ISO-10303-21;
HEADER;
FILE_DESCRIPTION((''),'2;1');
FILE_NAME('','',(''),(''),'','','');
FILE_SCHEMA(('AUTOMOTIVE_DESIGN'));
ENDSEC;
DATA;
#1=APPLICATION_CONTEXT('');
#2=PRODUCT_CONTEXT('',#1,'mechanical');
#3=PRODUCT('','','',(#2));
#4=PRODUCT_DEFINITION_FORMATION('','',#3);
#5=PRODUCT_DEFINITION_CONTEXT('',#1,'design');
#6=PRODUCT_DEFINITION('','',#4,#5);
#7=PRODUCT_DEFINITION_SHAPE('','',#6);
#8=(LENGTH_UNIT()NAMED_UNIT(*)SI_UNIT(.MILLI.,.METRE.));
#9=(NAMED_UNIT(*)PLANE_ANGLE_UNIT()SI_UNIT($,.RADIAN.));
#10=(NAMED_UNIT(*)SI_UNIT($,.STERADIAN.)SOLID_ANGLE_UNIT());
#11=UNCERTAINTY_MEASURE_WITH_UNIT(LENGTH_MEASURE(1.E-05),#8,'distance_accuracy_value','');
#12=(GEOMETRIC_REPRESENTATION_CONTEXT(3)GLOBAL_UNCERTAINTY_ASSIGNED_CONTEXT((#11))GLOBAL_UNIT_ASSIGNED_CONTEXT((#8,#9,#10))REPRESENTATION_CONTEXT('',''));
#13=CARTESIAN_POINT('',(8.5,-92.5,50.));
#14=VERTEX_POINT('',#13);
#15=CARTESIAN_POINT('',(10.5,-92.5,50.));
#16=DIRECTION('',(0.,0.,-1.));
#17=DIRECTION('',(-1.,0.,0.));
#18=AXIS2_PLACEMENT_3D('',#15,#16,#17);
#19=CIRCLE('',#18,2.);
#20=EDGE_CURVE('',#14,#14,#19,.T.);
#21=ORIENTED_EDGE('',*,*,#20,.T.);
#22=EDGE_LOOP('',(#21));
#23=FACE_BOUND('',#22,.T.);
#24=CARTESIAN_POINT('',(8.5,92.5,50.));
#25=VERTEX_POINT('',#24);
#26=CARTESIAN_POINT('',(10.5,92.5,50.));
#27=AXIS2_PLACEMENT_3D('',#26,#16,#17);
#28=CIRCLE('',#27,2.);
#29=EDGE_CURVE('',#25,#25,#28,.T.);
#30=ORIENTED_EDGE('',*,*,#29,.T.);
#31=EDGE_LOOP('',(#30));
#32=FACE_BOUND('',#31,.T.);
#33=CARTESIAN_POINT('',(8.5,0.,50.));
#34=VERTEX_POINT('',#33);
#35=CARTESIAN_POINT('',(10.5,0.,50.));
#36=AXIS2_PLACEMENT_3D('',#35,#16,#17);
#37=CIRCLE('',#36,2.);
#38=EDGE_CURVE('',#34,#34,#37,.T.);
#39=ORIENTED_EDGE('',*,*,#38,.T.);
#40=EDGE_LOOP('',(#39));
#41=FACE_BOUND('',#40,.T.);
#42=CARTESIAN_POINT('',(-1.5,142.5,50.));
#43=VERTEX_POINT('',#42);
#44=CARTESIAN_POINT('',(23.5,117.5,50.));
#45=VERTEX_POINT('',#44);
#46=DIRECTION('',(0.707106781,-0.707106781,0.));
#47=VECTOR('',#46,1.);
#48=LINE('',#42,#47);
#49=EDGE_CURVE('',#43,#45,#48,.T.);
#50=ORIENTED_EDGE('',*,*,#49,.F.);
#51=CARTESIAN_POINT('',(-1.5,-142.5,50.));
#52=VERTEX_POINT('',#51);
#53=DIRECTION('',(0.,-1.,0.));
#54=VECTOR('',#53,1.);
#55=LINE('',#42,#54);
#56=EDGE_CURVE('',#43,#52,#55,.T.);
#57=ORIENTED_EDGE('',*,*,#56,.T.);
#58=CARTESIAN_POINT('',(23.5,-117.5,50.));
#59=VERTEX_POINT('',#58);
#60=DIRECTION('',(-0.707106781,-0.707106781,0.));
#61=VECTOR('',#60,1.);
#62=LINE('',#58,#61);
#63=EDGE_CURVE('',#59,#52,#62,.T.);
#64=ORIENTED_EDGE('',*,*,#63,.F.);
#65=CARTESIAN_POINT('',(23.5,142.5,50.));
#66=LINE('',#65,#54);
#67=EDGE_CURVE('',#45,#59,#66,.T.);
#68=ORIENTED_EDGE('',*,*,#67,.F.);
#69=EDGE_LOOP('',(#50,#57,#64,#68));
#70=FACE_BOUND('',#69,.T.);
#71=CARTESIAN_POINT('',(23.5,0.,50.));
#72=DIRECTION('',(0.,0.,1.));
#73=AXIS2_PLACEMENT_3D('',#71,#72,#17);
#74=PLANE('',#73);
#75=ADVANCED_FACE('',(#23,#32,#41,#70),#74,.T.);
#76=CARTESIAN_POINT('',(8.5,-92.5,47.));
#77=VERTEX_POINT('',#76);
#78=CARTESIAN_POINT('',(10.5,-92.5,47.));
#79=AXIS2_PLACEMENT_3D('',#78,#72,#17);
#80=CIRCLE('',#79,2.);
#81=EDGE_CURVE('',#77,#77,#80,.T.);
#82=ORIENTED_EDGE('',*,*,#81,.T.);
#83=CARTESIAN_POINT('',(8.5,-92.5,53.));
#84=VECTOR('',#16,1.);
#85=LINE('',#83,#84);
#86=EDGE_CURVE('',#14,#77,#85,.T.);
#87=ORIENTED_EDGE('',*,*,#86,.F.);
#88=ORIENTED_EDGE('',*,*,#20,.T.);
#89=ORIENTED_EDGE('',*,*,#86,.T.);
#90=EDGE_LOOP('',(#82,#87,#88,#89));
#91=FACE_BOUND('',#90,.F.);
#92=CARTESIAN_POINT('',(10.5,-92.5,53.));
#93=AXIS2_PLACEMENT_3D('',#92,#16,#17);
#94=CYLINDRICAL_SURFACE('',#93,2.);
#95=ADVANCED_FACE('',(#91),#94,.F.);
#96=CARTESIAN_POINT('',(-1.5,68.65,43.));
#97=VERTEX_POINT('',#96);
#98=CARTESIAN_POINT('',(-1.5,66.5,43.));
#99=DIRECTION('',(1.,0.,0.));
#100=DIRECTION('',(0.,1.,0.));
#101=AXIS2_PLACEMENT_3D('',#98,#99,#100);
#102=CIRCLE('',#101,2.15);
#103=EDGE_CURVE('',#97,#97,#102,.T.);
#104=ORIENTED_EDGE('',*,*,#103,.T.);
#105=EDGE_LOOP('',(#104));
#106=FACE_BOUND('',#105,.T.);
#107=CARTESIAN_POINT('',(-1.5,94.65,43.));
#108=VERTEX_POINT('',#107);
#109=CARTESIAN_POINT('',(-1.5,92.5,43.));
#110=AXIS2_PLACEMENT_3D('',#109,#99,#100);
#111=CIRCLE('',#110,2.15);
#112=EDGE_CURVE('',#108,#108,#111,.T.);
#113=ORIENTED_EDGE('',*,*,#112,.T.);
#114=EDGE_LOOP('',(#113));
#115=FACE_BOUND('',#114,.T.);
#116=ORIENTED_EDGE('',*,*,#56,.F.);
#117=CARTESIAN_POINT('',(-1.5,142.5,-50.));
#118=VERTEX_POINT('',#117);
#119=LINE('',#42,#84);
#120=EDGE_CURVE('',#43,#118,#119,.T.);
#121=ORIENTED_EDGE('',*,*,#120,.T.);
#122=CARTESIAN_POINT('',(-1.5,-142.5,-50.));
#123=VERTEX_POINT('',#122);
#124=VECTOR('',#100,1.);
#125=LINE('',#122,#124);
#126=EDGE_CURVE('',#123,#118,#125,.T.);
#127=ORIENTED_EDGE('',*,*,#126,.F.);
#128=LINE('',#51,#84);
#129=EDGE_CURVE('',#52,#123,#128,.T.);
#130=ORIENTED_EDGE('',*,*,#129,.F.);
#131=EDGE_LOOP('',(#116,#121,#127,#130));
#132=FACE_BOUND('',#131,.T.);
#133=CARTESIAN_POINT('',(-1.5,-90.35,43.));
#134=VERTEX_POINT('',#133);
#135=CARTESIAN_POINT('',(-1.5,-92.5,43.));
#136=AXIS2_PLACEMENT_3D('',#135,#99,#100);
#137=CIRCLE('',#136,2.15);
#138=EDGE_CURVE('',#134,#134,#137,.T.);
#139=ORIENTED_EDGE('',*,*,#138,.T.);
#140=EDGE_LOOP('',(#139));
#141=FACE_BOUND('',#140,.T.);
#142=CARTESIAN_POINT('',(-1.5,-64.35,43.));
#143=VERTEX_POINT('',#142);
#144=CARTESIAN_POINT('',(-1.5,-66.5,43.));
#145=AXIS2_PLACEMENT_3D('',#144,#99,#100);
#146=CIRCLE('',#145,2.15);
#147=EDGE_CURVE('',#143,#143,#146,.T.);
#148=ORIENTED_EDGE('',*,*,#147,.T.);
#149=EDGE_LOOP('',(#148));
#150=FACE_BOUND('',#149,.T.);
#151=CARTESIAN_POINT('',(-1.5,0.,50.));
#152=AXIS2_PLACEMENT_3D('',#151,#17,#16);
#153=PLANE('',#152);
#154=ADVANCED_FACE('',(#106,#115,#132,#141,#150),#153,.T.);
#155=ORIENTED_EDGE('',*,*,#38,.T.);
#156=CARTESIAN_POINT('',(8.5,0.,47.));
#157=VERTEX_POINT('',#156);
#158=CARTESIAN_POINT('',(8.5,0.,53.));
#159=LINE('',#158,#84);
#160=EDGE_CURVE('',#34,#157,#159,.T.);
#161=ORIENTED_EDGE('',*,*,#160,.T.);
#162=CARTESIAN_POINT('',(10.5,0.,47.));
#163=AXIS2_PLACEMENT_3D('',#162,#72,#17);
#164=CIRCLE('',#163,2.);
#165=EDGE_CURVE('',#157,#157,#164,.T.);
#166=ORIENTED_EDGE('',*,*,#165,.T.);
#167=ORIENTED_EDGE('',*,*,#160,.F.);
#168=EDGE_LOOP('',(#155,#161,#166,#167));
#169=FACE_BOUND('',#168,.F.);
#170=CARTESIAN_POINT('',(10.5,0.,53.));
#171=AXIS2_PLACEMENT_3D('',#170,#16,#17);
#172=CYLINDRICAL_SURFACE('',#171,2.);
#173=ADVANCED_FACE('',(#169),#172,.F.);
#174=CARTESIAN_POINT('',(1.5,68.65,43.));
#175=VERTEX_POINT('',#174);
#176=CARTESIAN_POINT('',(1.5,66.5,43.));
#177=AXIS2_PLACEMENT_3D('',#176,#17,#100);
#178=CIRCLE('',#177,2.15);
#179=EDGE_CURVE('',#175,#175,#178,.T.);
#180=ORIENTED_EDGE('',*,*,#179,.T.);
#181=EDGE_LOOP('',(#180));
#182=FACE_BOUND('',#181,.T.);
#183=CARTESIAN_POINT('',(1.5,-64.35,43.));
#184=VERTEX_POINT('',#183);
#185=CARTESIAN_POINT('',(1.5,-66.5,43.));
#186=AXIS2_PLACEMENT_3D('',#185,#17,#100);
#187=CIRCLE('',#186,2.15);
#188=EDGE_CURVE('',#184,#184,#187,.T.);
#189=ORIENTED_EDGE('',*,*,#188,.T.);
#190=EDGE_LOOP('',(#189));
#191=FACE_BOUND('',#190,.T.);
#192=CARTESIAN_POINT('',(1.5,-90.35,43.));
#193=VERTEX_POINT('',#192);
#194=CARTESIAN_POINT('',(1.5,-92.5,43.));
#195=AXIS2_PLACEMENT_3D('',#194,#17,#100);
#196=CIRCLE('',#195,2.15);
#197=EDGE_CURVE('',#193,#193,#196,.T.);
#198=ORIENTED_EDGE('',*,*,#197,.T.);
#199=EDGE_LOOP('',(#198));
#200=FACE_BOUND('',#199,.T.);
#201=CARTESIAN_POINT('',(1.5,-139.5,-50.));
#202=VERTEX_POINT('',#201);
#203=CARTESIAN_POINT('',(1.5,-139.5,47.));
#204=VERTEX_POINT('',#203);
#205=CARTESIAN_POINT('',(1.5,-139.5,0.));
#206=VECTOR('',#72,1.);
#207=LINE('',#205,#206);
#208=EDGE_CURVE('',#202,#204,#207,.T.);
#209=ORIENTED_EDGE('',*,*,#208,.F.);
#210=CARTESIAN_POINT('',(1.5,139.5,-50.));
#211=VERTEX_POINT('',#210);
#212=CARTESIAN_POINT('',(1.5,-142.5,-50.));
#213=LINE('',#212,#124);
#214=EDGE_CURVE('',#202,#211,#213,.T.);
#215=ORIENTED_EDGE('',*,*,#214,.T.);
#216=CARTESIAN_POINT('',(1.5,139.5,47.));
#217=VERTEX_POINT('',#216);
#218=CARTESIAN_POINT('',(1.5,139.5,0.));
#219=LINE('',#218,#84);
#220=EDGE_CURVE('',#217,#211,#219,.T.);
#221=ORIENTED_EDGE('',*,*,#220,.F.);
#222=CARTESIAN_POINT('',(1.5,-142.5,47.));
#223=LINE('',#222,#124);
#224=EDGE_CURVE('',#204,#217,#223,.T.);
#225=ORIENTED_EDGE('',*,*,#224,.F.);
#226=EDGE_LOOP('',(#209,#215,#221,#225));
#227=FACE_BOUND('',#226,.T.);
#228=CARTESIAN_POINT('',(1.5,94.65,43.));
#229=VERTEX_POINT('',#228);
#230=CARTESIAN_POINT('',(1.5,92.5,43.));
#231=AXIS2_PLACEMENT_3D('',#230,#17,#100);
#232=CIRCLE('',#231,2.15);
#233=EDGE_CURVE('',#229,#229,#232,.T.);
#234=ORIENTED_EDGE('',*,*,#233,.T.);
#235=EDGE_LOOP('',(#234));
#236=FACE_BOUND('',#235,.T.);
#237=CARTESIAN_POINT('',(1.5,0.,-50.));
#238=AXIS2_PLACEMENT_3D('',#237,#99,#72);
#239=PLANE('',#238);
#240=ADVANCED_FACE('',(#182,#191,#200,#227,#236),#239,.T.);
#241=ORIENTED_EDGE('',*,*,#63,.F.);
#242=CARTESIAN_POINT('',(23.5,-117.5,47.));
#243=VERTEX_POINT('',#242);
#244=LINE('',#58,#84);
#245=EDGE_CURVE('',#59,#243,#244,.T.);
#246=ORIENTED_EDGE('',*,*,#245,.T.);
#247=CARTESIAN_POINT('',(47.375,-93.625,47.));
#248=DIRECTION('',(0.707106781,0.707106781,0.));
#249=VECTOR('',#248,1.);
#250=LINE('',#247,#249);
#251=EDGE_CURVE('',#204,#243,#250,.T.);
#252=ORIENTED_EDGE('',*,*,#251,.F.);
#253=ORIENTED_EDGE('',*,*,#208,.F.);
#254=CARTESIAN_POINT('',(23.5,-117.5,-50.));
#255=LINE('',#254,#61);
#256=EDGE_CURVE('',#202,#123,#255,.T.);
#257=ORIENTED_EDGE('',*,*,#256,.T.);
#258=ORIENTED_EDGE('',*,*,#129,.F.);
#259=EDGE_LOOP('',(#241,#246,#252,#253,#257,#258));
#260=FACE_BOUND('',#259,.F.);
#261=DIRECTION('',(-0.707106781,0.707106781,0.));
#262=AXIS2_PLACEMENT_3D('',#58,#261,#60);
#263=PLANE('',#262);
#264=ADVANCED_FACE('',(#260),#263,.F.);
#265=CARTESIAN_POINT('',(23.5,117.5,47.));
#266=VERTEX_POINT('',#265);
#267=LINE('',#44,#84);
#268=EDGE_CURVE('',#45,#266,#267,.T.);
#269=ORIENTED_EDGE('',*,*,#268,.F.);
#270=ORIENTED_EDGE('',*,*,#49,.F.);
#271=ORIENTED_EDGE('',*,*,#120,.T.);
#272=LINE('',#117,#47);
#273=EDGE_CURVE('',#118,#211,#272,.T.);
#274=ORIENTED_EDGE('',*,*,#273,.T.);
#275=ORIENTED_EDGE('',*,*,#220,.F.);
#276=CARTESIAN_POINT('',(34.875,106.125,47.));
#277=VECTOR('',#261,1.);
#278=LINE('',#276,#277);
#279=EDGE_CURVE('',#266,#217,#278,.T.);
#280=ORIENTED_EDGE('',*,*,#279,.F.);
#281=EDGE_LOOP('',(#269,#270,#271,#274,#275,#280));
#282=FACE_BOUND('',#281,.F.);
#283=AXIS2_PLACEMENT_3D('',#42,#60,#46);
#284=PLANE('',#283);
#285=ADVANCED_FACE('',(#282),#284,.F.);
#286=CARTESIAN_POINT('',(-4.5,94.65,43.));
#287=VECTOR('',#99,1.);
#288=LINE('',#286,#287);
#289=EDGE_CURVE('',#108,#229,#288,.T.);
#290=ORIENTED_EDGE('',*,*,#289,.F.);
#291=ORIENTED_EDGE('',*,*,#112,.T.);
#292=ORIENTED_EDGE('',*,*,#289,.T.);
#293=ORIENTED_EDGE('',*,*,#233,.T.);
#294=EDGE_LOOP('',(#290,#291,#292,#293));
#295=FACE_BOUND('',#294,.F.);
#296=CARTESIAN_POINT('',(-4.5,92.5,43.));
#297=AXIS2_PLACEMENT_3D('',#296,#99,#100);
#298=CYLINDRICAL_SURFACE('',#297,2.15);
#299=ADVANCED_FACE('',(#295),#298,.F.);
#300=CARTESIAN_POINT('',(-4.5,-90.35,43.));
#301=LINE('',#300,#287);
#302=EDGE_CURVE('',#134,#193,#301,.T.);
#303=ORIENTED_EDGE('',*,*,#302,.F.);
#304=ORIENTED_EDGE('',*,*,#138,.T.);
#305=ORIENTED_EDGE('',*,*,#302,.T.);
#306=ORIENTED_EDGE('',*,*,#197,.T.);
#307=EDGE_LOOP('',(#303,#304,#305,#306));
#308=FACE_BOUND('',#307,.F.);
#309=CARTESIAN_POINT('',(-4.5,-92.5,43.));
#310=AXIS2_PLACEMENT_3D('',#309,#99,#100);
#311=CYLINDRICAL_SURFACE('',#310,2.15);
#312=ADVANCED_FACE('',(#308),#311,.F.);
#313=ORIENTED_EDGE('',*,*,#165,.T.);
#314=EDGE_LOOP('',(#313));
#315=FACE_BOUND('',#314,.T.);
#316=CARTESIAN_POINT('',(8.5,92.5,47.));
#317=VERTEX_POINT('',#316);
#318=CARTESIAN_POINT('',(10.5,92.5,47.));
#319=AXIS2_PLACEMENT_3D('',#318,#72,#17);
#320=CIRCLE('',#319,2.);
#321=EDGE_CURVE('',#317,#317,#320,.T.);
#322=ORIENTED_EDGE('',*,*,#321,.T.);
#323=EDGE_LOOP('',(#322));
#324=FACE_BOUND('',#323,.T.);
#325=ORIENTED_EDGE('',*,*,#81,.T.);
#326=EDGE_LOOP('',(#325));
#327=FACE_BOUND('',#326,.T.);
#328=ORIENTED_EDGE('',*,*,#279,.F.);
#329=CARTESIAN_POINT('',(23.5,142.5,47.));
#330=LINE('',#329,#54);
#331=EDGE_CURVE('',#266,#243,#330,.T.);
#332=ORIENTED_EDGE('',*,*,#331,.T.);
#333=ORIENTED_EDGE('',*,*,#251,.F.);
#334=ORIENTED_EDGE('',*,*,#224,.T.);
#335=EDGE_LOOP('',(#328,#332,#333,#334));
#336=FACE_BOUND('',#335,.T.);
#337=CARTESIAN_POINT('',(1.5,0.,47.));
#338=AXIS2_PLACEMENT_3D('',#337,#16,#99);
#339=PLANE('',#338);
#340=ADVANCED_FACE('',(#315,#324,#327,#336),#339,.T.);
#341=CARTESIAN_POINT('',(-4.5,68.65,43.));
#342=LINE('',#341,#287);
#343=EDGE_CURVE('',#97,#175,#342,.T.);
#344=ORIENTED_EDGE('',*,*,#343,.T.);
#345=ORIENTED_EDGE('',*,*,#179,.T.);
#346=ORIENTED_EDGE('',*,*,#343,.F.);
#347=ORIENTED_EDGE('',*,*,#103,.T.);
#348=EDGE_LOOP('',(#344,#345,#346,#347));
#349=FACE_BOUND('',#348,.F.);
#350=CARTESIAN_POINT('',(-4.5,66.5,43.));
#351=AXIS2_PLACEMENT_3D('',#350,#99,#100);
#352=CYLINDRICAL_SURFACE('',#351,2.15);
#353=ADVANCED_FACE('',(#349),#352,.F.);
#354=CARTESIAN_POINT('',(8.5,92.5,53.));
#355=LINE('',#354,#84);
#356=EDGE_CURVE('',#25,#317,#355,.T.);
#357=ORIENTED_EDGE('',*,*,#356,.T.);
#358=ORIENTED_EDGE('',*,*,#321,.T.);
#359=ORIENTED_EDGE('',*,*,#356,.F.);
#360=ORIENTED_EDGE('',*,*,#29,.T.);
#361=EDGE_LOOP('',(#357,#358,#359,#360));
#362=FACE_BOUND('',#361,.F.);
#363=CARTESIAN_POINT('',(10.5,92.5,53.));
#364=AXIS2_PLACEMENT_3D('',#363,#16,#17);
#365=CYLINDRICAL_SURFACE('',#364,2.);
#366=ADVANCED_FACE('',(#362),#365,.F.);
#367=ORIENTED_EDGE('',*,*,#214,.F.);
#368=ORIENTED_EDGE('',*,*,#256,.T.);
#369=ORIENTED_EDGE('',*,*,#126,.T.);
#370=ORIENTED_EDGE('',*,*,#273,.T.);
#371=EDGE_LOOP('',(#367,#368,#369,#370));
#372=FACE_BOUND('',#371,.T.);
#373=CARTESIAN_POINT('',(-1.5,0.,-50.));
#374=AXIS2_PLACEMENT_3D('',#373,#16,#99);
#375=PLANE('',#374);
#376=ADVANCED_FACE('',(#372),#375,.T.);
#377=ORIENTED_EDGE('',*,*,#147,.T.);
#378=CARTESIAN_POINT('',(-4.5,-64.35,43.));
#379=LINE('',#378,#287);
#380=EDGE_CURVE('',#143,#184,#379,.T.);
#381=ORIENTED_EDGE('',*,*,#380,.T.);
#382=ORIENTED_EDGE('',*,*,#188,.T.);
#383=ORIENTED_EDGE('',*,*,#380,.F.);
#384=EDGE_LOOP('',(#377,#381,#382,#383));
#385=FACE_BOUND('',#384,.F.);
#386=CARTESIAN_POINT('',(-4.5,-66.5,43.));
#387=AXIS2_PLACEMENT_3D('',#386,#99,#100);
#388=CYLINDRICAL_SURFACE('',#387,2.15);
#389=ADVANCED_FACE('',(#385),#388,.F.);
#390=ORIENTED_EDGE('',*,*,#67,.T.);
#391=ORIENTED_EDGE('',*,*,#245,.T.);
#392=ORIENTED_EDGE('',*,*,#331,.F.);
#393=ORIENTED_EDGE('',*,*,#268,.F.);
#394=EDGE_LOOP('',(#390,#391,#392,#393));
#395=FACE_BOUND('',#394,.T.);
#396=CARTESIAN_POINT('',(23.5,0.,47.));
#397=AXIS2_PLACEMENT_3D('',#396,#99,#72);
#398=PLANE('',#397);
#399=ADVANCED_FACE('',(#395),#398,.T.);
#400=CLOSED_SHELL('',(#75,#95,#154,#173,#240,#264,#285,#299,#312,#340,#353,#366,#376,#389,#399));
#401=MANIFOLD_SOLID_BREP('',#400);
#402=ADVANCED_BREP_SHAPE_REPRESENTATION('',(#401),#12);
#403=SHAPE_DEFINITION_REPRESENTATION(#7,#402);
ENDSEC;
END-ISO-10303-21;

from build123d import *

# Parameters (mm, degrees)
F0_W     = 22
F0_H     = 3
F1_DEPTH = 142.5
F3_D     = 4.3
F3_DEPTH = 3
F3_TIP   = 1.2918503309
F5_D     = 4
F5_DEPTH = 3
F5_TIP   = 1.2017212381
F7_DEPTH = 100


with BuildPart() as f1:
    # F0 (on Front) → F1 (new body, symmetric)
    with BuildSketch(Plane.XZ):
        with Locations((12.5, 48.5)):
            Rectangle(F0_W, F0_H)
        Polygon((1.5, 47), (1.5, 50), (-1.5, 50), (-1.5, -50), (1.5, -50), align=None)
    extrude(amount=F1_DEPTH, both=True)

    # F3
    with Locations(Plane(origin=(-1.5, 0, 0), x_dir=(0, -1, 0), z_dir=(-1, 0, 0))):
        with Locations((-92.5, 43), (-66.5, 43), (66.5, 43), (92.5, 43)):
            Hole(F3_D / 2, depth=F3_DEPTH)
            with Locations((0, 0, -(F3_DEPTH + F3_TIP / 2))):  # 118° drill point
                Cone(0, F3_D / 2, F3_TIP, mode=Mode.SUBTRACT)

    # F5
    with Locations(Plane.XY.offset(50)):
        with Locations((10.5, 92.5), (10.5, 0), (10.5, -92.5)):
            Hole(F5_D / 2, depth=F5_DEPTH)
            with Locations((0, 0, -(F5_DEPTH + F5_TIP / 2))):  # 118° drill point
                Cone(0, F5_D / 2, F5_TIP, mode=Mode.SUBTRACT)

    # F6 (on face) → F7 (cut)
    with BuildSketch(Plane.XY.offset(50)):
        Polygon((23.5, 142.5), (-1.5, 142.5), (23.5, 117.5), align=None)
        Polygon((23.5, -117.5), (-1.5, -142.5), (23.5, -142.5), align=None)
    extrude(amount=-F7_DEPTH, mode=Mode.SUBTRACT)


solid = f1.part
